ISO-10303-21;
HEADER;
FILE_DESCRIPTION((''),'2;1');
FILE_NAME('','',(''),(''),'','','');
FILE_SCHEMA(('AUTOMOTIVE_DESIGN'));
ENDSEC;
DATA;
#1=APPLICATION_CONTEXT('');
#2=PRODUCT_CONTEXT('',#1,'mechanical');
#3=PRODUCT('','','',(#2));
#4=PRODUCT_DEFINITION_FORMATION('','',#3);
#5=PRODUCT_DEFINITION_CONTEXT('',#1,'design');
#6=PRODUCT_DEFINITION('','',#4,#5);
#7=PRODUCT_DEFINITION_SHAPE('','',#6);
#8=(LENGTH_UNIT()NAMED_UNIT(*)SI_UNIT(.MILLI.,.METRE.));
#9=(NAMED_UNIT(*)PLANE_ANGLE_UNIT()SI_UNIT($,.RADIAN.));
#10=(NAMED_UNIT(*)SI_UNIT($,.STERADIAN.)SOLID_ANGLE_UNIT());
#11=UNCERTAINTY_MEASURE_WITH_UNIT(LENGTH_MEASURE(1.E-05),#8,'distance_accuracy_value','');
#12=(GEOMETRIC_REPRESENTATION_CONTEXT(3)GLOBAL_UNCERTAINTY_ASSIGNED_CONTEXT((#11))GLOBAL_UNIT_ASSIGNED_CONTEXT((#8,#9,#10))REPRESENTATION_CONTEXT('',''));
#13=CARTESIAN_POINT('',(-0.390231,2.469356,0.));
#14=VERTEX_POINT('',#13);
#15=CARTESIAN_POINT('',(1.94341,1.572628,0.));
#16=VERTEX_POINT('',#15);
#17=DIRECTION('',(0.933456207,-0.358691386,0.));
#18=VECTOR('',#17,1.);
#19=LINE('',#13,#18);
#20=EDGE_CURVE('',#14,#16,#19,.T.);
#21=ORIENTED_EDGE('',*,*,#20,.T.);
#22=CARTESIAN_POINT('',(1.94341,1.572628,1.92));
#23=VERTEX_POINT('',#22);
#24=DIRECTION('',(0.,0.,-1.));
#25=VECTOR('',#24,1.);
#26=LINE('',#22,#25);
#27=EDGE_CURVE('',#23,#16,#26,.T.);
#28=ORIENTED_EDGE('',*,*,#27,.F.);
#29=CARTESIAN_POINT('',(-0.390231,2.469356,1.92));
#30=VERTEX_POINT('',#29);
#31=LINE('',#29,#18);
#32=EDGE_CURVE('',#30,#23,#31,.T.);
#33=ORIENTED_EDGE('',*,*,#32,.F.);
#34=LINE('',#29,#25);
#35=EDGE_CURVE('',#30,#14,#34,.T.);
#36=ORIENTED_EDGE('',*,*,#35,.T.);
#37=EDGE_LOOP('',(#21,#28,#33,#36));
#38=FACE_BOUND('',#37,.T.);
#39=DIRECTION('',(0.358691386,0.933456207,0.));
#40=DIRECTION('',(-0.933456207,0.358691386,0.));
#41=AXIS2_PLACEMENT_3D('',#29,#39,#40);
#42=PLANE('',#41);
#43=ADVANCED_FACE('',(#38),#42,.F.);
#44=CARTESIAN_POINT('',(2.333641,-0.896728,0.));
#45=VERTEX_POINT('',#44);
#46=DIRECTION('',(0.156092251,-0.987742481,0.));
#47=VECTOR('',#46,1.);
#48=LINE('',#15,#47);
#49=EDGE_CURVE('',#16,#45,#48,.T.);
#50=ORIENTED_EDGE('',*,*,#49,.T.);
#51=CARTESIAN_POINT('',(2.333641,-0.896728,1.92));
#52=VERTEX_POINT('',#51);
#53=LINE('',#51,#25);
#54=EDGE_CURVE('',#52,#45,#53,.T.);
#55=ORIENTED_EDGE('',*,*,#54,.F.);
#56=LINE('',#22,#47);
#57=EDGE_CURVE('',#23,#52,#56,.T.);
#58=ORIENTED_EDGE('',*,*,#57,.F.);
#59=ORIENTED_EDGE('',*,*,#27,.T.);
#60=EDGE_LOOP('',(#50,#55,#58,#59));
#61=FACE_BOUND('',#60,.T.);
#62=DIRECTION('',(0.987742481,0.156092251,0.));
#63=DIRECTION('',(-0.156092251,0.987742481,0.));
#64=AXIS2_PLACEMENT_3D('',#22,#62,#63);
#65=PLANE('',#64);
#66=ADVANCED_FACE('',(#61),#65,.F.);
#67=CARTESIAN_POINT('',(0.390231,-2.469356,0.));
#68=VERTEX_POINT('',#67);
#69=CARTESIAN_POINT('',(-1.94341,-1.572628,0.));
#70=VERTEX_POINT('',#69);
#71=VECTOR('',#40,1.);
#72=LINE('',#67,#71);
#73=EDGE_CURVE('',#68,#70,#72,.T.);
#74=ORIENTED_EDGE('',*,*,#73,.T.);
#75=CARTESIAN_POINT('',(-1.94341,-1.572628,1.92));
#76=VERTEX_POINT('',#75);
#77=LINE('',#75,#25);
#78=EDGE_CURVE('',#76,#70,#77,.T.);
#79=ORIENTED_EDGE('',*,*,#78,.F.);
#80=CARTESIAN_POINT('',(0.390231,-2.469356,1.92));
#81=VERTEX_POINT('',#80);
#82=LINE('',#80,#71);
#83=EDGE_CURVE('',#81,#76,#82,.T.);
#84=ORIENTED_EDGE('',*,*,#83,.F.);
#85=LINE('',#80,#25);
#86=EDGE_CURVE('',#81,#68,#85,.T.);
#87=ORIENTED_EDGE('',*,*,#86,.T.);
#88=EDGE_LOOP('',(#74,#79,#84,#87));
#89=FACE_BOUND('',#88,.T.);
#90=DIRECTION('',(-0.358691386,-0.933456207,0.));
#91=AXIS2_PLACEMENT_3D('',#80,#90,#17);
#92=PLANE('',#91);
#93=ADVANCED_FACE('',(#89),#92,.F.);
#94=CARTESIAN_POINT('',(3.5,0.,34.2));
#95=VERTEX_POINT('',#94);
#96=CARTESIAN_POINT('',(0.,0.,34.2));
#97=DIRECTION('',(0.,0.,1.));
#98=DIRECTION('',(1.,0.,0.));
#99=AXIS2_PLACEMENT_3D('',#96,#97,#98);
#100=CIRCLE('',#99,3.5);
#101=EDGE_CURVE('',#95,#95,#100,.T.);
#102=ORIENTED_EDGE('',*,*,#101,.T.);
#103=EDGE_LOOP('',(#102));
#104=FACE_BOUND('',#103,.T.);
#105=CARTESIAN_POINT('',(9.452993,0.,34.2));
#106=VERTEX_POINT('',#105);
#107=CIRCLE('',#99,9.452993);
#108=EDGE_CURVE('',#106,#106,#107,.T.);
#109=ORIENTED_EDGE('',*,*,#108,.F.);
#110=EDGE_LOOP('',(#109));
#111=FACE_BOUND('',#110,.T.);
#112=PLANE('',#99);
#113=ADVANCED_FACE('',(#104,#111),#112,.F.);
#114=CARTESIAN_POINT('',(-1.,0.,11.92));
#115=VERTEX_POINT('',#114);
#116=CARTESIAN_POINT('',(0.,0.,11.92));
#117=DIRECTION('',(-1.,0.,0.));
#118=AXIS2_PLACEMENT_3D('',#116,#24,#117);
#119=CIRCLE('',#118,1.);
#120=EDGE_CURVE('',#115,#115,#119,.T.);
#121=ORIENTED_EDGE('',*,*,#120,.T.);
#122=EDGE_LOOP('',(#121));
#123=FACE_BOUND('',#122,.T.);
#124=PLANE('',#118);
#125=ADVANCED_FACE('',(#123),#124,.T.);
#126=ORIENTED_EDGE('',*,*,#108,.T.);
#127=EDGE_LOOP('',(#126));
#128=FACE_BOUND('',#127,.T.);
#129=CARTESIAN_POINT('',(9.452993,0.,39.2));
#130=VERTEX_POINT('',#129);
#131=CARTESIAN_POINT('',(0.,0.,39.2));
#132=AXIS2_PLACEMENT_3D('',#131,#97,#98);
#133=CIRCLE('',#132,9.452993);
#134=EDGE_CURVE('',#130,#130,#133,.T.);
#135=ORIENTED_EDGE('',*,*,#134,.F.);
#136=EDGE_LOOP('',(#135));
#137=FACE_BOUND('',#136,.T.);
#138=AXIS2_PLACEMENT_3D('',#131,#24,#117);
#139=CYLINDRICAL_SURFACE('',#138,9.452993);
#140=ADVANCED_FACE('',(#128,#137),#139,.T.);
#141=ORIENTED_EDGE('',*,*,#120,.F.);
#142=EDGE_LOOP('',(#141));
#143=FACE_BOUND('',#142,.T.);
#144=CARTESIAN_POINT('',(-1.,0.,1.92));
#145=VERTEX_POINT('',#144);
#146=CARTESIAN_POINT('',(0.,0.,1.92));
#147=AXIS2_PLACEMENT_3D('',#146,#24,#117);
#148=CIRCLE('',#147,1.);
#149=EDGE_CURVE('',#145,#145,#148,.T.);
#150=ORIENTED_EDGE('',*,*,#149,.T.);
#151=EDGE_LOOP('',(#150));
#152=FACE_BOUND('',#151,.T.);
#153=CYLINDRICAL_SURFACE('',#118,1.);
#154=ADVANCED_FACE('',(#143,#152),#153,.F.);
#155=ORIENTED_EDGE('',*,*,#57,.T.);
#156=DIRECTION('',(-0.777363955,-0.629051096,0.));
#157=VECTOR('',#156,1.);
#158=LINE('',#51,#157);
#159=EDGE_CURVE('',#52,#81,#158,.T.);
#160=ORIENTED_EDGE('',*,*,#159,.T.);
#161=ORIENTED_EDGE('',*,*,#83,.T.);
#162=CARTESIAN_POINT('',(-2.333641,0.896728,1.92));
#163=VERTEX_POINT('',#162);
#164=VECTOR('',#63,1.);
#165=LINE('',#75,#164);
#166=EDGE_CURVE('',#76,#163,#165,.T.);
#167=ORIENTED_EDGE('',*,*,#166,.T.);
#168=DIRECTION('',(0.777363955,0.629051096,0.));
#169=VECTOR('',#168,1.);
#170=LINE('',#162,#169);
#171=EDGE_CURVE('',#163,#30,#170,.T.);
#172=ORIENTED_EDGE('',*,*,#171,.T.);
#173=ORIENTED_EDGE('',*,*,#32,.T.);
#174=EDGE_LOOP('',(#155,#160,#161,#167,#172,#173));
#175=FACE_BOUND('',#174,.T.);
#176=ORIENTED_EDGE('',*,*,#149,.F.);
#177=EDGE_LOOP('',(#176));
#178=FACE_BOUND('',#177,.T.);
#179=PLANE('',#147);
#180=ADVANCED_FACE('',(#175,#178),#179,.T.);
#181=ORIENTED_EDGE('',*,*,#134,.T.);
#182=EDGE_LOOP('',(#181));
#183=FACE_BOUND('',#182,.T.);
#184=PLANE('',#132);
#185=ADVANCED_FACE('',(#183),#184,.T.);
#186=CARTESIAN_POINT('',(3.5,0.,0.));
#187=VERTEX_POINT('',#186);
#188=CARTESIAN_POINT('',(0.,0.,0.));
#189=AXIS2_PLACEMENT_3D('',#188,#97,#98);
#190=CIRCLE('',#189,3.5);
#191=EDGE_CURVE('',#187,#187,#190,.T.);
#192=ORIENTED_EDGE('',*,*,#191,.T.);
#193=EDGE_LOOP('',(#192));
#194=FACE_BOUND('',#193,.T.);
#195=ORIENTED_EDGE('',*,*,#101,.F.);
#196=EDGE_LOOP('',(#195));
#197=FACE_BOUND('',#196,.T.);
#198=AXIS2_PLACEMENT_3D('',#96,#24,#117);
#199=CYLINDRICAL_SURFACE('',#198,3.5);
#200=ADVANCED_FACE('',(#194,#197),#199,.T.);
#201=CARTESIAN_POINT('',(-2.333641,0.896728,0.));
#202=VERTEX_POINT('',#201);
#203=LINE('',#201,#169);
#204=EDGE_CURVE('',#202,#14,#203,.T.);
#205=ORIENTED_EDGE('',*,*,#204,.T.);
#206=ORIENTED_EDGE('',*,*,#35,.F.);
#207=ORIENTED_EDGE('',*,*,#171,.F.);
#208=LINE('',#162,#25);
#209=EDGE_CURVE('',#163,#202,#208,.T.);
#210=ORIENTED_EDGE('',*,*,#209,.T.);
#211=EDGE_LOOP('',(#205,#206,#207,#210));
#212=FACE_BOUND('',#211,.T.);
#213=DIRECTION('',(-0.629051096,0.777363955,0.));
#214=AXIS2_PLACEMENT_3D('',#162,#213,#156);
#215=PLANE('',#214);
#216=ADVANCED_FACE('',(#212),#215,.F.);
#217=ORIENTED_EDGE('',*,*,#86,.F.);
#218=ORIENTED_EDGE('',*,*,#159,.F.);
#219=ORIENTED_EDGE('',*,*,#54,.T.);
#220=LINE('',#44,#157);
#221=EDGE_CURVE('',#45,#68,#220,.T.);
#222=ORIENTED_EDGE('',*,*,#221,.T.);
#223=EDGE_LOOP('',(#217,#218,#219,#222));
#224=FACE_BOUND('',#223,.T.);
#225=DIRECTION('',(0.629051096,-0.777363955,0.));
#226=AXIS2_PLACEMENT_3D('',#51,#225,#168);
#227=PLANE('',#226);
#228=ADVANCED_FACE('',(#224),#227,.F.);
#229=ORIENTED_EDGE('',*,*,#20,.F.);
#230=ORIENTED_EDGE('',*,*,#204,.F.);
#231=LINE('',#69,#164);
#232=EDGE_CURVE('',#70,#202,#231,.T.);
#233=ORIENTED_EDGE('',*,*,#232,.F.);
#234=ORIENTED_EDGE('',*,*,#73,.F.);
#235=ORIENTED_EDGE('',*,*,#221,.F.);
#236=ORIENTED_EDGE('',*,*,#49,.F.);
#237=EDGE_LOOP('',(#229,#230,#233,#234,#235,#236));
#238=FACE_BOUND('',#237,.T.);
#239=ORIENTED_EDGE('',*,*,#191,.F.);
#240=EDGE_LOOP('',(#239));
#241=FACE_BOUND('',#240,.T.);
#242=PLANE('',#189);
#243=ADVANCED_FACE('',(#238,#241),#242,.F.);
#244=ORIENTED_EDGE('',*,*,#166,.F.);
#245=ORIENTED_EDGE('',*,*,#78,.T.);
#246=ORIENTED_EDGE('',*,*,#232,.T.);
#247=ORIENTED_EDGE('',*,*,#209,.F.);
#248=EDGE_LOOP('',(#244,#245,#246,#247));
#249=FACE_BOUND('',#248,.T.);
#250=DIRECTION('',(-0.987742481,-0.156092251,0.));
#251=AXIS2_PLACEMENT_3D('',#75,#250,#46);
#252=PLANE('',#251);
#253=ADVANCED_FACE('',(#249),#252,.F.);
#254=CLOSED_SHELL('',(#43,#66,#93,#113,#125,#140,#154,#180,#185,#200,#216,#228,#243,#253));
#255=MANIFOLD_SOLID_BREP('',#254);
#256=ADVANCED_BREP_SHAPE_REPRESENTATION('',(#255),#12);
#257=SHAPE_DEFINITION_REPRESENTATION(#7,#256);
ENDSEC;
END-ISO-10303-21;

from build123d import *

# Parameters (mm, degrees)
SKETCH1_R           = 3.5
BOSS_EXTRUDE1_DEPTH = 34.2
SKETCH2_R           = 9.45299319
BOSS_EXTRUDE2_DEPTH = 5
CUT_EXTRUDE1_DEPTH  = 1.92
SKETCH4_R           = 1
CUT_EXTRUDE2_DEPTH  = 10


with BuildPart() as part:
    # Sketch1 → Boss-Extrude1 (new body)
    with BuildSketch(Plane.XY):
        Circle(SKETCH1_R)
    extrude(amount=BOSS_EXTRUDE1_DEPTH)

    # Sketch2 → Boss-Extrude2 (add)
    with BuildSketch(Plane.XY.offset(34.2)):
        Circle(SKETCH2_R)
    extrude(amount=BOSS_EXTRUDE2_DEPTH)

    # Sketch3 → Cut-Extrude1 (cut)
    with BuildSketch(Plane(origin=(0, 0, 0), x_dir=(-1, 0, 0), z_dir=(0, 0, -1))):
        Polygon((-1.943409889, 1.572627739), (-2.333640517, -0.896728464), (-0.390230628, -2.469356203), (1.943409889, -1.572627739), (2.333640517, 0.896728464), (0.390230628, 2.469356203), align=None)
    extrude(amount=-CUT_EXTRUDE1_DEPTH, mode=Mode.SUBTRACT)

    # Sketch4 → Cut-Extrude2 (cut)
    with BuildSketch(Plane(origin=(0, 0, 1.92), x_dir=(-1, 0, 0), z_dir=(0, 0, -1))):
        Circle(SKETCH4_R)
    extrude(amount=-CUT_EXTRUDE2_DEPTH, mode=Mode.SUBTRACT)


solid = part.part
